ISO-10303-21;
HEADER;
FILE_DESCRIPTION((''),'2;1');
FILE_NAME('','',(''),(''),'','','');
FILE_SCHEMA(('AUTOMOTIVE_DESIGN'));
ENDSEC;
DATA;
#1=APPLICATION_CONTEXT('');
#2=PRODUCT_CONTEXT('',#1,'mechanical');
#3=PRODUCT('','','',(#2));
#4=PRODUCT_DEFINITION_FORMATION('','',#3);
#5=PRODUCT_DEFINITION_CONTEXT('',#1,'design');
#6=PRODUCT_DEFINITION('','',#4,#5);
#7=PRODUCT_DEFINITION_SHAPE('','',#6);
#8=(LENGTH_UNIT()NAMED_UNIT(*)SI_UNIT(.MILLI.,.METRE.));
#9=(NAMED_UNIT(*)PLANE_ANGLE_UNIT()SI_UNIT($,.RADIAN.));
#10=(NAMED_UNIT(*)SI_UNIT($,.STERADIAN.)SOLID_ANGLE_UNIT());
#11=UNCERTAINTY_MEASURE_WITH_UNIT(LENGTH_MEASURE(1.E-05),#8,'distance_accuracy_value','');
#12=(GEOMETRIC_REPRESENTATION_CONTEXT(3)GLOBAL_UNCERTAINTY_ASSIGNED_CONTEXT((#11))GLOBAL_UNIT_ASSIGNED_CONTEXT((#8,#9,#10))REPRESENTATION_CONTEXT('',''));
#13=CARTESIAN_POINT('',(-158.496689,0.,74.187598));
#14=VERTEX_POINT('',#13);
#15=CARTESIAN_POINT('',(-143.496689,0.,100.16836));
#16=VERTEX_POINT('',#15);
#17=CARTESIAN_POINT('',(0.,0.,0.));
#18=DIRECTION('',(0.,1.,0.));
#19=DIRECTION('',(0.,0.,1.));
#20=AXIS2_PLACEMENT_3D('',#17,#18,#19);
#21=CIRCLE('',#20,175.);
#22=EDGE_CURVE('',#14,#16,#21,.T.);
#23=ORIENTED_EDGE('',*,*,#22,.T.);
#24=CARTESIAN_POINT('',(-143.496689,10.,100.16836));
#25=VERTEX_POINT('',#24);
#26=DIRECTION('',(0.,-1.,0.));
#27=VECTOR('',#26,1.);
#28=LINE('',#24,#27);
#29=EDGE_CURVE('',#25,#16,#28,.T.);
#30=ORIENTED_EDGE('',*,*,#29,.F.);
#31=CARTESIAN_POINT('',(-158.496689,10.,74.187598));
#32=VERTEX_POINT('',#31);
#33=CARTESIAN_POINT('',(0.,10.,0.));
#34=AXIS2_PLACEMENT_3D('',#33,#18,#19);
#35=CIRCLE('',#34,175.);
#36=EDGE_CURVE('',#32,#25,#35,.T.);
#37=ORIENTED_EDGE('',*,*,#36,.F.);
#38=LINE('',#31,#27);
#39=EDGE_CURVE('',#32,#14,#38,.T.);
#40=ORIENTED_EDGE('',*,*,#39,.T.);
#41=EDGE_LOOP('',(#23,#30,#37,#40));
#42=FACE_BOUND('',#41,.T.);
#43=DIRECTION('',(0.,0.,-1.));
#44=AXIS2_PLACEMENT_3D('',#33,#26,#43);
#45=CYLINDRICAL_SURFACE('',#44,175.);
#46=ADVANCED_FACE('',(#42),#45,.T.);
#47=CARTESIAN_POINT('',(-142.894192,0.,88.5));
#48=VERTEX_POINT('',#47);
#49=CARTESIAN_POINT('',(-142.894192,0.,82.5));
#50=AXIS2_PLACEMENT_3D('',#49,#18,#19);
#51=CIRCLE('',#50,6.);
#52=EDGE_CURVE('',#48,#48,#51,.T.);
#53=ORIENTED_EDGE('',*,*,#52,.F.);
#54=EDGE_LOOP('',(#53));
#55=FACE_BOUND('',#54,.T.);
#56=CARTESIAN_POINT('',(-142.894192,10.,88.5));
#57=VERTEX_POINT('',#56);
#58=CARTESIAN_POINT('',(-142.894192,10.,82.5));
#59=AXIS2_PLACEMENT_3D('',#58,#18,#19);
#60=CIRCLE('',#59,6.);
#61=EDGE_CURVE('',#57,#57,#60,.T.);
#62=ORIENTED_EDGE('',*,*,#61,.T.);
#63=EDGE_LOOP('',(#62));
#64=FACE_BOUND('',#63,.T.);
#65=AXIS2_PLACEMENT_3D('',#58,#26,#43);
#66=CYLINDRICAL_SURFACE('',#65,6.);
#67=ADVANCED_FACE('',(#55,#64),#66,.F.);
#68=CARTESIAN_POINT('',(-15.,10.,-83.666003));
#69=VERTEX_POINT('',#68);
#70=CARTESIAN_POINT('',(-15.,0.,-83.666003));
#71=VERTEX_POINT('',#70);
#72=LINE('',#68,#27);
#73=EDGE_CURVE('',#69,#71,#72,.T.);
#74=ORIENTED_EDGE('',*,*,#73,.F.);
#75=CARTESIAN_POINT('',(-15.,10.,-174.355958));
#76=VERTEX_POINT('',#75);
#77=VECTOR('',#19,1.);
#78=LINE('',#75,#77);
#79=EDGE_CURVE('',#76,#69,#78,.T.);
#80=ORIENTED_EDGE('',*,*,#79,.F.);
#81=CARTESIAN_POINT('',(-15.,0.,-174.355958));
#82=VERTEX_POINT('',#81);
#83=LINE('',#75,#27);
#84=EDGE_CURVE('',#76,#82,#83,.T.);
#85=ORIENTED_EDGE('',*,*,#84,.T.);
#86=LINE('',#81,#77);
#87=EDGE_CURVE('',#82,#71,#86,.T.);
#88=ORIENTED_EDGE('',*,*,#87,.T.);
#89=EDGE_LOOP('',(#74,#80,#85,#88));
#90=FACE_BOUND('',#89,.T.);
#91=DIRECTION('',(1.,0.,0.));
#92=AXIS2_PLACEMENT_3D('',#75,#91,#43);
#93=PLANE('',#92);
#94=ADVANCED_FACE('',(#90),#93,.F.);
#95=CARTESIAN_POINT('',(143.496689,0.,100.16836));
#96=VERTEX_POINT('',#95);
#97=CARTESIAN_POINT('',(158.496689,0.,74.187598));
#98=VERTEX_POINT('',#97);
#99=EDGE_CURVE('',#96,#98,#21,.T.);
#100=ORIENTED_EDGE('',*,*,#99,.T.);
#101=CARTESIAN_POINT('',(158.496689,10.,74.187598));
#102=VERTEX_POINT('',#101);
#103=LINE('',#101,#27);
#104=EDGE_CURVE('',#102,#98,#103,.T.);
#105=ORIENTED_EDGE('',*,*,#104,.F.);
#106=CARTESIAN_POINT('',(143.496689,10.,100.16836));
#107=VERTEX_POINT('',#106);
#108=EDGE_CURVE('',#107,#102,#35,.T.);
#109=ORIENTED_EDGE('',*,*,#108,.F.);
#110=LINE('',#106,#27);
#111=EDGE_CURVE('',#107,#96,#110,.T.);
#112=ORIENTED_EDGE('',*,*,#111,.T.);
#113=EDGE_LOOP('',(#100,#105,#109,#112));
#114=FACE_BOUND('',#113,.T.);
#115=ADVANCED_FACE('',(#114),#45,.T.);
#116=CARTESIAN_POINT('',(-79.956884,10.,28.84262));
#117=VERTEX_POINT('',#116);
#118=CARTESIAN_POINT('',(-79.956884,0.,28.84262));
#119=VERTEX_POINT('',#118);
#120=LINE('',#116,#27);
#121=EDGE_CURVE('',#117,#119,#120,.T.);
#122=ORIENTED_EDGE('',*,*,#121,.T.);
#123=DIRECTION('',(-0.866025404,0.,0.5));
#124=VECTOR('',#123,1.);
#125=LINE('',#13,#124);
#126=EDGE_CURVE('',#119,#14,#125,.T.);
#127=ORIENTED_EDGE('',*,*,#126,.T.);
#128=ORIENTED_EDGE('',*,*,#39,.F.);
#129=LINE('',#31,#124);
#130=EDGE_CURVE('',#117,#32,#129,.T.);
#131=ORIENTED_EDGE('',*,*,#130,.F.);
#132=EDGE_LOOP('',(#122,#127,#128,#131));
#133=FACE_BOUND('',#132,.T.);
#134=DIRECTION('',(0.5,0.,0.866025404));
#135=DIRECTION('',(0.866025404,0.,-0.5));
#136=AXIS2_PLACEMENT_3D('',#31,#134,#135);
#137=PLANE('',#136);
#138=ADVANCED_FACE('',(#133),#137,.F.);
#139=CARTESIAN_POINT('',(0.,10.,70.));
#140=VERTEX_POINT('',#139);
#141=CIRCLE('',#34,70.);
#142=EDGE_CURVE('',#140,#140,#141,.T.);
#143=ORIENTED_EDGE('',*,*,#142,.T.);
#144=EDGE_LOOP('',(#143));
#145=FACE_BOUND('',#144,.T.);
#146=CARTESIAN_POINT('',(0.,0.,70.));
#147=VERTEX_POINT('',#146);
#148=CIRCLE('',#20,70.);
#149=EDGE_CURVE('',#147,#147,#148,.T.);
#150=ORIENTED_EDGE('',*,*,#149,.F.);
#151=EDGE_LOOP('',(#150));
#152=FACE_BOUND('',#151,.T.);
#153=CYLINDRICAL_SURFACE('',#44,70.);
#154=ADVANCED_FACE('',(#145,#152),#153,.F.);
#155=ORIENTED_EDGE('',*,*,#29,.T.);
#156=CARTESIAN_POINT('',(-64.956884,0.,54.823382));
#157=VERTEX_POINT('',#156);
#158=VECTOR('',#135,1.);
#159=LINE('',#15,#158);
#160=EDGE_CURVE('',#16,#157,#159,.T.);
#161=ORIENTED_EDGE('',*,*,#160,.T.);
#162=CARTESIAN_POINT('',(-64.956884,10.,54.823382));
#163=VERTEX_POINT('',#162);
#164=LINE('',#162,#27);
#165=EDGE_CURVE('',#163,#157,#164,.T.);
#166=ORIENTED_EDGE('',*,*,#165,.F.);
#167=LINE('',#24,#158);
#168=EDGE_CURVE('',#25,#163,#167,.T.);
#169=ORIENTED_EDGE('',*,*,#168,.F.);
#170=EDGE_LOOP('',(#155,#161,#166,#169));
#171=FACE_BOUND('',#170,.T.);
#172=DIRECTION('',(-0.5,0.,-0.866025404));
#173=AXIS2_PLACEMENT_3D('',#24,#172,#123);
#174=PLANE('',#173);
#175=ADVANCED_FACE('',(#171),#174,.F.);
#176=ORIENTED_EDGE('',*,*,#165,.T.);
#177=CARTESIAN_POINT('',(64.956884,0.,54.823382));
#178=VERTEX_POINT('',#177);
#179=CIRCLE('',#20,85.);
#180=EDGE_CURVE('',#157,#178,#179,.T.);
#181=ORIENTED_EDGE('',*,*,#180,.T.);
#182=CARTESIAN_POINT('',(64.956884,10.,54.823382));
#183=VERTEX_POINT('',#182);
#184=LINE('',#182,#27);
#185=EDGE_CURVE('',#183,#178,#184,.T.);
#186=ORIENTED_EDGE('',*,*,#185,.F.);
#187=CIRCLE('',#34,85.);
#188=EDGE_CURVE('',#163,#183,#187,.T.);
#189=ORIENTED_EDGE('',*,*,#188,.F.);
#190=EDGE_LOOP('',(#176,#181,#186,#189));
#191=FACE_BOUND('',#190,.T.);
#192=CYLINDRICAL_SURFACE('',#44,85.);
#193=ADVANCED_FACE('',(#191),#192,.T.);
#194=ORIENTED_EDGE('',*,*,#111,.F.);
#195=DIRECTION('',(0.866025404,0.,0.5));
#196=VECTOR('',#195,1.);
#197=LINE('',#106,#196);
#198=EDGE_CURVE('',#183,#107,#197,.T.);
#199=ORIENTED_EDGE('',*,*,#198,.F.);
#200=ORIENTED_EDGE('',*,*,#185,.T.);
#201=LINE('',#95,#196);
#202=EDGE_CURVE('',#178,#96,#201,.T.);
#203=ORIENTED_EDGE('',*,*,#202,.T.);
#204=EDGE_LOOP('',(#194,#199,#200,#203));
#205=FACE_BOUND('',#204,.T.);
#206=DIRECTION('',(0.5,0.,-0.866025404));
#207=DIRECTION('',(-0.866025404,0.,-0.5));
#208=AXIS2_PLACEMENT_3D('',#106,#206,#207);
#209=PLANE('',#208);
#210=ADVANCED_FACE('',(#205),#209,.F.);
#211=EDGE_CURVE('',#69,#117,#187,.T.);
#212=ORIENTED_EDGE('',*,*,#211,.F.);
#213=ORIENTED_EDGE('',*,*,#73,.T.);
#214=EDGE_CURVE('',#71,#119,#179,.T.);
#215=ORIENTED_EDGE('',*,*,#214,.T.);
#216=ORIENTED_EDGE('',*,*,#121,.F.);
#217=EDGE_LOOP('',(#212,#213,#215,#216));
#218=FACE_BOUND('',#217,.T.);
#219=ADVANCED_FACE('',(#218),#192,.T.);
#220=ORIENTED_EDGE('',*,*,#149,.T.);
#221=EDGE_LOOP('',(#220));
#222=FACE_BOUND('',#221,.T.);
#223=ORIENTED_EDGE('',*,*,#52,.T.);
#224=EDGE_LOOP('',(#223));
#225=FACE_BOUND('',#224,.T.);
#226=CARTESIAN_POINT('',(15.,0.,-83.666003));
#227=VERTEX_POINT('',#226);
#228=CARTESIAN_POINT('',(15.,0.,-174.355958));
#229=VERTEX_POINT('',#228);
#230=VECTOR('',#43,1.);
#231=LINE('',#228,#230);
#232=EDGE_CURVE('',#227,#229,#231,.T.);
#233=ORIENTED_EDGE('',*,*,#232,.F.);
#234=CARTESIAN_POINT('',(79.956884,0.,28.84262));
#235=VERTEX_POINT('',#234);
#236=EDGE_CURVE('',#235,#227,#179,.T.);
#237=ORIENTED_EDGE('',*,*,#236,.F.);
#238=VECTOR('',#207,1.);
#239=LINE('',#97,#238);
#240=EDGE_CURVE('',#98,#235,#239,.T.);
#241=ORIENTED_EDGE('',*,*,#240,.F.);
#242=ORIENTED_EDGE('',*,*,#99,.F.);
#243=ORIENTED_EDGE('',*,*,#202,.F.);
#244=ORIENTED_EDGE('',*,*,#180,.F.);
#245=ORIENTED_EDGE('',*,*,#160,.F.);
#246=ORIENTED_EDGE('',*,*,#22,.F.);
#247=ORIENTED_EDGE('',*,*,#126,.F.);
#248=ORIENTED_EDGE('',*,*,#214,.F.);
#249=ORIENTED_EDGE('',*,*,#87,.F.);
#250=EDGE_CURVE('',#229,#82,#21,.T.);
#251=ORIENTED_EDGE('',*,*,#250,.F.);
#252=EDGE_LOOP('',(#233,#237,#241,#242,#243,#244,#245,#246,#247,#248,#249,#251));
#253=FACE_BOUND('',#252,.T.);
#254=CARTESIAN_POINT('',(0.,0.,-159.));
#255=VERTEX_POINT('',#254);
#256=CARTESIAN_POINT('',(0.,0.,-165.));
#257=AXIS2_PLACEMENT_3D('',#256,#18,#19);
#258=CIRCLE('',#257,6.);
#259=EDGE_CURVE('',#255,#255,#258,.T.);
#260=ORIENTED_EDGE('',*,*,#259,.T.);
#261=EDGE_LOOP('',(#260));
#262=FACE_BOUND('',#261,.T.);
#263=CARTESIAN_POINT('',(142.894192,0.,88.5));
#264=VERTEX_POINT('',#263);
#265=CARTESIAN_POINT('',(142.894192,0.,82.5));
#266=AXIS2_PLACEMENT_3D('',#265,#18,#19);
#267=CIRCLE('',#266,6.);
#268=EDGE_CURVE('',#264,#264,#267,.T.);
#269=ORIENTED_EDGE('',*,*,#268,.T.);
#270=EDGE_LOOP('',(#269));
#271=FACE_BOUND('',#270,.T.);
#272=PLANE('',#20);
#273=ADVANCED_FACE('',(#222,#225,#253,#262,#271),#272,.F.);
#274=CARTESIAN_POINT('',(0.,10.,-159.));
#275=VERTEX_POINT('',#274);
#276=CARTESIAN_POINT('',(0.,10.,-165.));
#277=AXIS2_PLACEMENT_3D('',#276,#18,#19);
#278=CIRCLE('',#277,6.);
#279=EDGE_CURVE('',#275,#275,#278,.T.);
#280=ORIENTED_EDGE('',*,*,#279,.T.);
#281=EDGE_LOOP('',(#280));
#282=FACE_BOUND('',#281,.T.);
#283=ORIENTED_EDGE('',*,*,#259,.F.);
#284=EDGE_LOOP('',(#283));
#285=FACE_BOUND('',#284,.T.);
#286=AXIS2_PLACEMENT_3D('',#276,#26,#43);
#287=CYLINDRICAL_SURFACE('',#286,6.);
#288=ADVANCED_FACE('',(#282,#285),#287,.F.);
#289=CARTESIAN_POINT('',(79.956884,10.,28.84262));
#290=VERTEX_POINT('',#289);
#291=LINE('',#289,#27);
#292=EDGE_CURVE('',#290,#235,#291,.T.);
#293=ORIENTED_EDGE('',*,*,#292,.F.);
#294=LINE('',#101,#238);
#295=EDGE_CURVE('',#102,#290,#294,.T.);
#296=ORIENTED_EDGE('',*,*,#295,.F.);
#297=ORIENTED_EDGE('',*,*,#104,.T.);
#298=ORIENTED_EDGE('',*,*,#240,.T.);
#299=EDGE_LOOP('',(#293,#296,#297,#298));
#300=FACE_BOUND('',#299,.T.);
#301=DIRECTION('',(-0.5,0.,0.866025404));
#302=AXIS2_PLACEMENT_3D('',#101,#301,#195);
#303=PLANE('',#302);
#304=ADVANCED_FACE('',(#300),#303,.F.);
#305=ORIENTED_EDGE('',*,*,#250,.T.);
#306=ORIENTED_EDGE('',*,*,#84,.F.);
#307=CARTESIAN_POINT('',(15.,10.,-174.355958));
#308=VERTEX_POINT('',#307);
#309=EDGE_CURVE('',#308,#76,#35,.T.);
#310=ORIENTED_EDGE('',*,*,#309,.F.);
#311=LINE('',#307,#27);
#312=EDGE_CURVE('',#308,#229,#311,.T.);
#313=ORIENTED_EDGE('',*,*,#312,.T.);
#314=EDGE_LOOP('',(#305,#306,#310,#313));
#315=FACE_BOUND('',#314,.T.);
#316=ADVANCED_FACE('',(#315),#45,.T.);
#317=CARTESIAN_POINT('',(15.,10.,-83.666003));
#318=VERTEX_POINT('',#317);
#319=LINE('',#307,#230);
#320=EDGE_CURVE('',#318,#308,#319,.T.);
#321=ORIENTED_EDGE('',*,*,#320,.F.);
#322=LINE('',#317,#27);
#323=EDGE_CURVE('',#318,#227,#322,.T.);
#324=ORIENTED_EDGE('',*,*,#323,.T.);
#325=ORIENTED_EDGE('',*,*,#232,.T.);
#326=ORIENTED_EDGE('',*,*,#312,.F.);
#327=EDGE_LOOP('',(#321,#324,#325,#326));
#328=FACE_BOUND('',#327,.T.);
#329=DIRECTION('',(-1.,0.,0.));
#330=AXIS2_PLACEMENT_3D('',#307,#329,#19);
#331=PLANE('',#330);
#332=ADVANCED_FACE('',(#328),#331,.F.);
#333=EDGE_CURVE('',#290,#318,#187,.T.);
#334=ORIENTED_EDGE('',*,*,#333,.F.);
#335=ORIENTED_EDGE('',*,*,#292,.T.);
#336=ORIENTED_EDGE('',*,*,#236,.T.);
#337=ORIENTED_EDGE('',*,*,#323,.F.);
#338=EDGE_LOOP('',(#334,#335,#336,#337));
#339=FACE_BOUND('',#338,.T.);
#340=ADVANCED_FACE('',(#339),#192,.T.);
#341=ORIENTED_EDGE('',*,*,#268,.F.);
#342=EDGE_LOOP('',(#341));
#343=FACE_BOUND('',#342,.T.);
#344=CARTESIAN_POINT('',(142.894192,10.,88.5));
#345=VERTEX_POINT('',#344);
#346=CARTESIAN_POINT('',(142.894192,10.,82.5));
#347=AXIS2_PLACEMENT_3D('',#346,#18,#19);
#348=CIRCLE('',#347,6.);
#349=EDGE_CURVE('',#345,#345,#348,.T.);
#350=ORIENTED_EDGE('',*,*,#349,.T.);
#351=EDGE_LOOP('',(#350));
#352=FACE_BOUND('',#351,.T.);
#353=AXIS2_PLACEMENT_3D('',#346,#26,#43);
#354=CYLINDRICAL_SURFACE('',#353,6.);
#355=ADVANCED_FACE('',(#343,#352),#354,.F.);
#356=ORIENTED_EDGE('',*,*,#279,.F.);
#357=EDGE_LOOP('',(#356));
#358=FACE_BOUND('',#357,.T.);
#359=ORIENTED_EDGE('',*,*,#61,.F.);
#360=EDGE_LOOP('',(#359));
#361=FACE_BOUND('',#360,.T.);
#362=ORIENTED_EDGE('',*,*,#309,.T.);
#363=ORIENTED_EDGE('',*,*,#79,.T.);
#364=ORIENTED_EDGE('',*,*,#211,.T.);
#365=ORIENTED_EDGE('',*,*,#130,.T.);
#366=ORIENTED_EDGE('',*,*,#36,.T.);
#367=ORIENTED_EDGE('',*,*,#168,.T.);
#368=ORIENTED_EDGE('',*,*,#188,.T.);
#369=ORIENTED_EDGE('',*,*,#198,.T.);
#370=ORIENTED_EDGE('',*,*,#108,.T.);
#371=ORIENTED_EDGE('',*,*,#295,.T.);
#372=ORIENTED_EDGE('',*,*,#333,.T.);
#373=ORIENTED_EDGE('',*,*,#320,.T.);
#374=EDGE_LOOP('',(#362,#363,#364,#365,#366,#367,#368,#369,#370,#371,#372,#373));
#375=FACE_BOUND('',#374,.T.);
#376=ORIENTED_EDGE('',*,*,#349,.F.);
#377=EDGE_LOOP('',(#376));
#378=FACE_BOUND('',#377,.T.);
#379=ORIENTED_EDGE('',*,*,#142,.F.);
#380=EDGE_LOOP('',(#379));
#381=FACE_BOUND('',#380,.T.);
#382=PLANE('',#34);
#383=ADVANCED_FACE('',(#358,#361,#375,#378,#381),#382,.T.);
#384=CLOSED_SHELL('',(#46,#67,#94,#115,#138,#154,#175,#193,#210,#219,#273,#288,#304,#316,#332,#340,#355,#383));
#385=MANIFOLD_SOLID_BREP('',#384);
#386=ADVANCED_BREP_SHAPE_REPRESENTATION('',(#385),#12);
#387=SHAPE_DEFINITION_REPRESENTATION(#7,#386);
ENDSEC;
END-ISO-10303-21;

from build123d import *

# Parameters (mm, degrees)
SKETCH_1_R      = 70
SKETCH_1_R_2    = 6
EXTRUDE_1_DEPTH = 10


with BuildPart() as part:
    # 草图1 → 凸台-拉伸1 (new body)
    with BuildSketch(Plane(origin=(0, 0, 0), x_dir=(1, 0, 0), z_dir=(0, 1, 0))):
        with BuildLine():
            Line((143.496688705, -100.168359928), (64.956883731, -54.823382383))
            ThreePointArc((64.956883731, -54.823382383), (0, -85), (-64.956883731, -54.823382383))
            Line((-64.956883731, -54.823382383), (-143.496688705, -100.168359928))
            ThreePointArc((-143.496688705, -100.168359928), (-151.554445662, -87.5), (-158.496688705, -74.187597814))
            Line((-158.496688705, -74.187597814), (-79.956883731, -28.84262027))
            ThreePointArc((-79.956883731, -28.84262027), (-73.612159322, 42.5), (-15, 83.666002653))
            Line((-15, 83.666002653), (-15, 174.355957742))
            ThreePointArc((-15, 174.355957742), (0, 175), (15, 174.355957742))
            Line((15, 174.355957742), (15, 83.666002653))
            ThreePointArc((15, 83.666002653), (73.612159322, 42.5), (79.956883731, -28.84262027))
            Line((79.956883731, -28.84262027), (158.496688705, -74.187597814))
            ThreePointArc((158.496688705, -74.187597814), (151.554445662, -87.5), (143.496688705, -100.168359928))
        make_face()
        Circle(SKETCH_1_R, mode=Mode.SUBTRACT)
        with Locations((0, 165)):
            Circle(SKETCH_1_R_2, mode=Mode.SUBTRACT)
        with Locations((142.894191624, -82.5)):
            Circle(SKETCH_1_R_2, mode=Mode.SUBTRACT)
        with Locations((-142.894191624, -82.5)):
            Circle(SKETCH_1_R_2, mode=Mode.SUBTRACT)
    extrude(amount=EXTRUDE_1_DEPTH)


solid = part.part
